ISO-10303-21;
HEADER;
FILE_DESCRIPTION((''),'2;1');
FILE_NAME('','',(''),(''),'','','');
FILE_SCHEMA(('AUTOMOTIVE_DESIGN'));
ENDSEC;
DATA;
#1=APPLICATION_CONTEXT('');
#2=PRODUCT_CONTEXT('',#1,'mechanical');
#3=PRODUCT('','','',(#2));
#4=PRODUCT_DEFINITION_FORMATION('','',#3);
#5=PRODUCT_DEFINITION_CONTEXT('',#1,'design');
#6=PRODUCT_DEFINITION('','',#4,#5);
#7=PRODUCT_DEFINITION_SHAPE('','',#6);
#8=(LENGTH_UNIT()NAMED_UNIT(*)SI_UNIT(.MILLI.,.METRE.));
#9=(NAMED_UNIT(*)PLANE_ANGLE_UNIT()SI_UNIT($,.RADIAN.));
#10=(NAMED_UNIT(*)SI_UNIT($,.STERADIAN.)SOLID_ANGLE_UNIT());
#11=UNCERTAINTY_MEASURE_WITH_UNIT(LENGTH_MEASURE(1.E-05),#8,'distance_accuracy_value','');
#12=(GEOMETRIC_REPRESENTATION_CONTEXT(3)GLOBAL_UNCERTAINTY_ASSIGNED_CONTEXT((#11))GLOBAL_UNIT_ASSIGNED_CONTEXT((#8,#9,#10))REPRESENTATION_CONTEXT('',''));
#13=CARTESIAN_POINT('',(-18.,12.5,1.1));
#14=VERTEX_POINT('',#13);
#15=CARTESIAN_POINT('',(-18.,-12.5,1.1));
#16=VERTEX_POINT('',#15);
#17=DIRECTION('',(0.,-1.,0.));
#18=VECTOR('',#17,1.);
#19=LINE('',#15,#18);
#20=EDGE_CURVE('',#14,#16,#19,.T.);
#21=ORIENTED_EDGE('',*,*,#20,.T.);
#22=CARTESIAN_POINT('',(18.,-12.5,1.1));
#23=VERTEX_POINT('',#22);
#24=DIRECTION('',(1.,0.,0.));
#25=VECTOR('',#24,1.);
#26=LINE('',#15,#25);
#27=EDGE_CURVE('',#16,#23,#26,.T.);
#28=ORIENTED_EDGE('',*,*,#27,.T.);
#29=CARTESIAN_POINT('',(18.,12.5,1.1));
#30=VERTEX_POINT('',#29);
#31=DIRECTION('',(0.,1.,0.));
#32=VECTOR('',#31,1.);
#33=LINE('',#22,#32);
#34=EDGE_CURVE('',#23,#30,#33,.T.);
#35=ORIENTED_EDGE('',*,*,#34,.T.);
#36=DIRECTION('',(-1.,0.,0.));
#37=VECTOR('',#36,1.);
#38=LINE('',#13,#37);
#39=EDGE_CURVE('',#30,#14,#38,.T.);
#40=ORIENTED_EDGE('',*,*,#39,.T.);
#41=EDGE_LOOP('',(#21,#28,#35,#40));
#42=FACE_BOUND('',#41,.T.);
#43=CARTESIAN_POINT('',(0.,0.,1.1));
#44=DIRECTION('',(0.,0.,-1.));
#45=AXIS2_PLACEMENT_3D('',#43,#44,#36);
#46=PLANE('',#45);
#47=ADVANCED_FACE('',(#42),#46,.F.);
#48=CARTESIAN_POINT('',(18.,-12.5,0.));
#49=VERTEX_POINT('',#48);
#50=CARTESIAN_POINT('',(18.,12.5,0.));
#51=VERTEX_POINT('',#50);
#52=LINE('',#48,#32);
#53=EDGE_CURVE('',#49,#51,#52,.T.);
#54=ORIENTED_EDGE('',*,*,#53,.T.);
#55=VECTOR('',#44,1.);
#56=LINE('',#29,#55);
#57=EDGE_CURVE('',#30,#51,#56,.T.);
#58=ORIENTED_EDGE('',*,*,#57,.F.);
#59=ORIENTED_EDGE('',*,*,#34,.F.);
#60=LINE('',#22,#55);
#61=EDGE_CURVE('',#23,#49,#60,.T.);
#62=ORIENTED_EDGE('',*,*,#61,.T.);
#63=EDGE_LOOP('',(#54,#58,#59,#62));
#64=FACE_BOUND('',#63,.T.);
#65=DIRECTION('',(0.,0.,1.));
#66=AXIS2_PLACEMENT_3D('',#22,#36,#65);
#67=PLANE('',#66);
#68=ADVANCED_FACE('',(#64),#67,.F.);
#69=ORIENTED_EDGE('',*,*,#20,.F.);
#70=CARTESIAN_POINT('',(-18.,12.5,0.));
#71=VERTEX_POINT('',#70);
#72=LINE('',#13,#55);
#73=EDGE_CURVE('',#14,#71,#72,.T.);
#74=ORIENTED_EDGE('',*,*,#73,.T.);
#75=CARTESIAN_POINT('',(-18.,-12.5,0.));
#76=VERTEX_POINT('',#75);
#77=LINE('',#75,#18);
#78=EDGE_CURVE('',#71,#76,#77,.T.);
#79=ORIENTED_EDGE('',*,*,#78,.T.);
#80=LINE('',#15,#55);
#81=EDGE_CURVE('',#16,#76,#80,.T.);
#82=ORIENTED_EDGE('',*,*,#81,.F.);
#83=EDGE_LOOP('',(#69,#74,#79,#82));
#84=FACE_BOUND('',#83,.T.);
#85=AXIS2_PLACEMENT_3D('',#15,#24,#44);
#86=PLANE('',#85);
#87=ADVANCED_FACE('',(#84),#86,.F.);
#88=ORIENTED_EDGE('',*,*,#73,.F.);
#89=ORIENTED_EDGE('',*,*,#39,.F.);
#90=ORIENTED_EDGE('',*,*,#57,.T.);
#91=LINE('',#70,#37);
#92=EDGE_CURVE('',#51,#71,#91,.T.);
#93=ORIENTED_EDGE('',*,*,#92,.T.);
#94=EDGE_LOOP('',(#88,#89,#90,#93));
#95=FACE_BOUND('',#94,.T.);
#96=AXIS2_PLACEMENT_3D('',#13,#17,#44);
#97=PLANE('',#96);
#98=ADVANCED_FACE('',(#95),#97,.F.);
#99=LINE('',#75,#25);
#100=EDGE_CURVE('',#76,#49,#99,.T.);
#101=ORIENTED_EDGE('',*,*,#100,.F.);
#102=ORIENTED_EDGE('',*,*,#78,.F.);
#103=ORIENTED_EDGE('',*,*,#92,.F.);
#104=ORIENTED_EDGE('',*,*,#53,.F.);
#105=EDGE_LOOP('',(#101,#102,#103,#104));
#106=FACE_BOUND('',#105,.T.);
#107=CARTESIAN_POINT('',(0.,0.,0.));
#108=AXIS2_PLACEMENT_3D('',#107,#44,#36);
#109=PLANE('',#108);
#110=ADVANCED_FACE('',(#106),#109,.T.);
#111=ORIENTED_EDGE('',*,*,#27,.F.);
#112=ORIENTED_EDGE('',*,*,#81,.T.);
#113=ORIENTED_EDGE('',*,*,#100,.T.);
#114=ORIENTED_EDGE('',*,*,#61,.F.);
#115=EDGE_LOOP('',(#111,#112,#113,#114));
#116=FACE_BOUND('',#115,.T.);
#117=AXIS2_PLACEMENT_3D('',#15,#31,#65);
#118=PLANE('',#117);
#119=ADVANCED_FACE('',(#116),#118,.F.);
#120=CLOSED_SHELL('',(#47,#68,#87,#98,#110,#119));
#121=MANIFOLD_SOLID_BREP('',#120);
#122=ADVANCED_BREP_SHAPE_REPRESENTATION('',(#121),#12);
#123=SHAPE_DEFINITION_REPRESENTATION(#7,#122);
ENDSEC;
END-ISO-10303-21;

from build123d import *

# Parameters (mm, degrees)
SKETCH_1_W      = 36
SKETCH_1_H      = 25
EXTRUDE_1_DEPTH = 1.1


with BuildPart() as part:
    # 草图1 → 凸台-拉伸1 (new body)
    with BuildSketch(Plane.XY):
        Rectangle(SKETCH_1_W, SKETCH_1_H)
    extrude(amount=EXTRUDE_1_DEPTH)


solid = part.part
